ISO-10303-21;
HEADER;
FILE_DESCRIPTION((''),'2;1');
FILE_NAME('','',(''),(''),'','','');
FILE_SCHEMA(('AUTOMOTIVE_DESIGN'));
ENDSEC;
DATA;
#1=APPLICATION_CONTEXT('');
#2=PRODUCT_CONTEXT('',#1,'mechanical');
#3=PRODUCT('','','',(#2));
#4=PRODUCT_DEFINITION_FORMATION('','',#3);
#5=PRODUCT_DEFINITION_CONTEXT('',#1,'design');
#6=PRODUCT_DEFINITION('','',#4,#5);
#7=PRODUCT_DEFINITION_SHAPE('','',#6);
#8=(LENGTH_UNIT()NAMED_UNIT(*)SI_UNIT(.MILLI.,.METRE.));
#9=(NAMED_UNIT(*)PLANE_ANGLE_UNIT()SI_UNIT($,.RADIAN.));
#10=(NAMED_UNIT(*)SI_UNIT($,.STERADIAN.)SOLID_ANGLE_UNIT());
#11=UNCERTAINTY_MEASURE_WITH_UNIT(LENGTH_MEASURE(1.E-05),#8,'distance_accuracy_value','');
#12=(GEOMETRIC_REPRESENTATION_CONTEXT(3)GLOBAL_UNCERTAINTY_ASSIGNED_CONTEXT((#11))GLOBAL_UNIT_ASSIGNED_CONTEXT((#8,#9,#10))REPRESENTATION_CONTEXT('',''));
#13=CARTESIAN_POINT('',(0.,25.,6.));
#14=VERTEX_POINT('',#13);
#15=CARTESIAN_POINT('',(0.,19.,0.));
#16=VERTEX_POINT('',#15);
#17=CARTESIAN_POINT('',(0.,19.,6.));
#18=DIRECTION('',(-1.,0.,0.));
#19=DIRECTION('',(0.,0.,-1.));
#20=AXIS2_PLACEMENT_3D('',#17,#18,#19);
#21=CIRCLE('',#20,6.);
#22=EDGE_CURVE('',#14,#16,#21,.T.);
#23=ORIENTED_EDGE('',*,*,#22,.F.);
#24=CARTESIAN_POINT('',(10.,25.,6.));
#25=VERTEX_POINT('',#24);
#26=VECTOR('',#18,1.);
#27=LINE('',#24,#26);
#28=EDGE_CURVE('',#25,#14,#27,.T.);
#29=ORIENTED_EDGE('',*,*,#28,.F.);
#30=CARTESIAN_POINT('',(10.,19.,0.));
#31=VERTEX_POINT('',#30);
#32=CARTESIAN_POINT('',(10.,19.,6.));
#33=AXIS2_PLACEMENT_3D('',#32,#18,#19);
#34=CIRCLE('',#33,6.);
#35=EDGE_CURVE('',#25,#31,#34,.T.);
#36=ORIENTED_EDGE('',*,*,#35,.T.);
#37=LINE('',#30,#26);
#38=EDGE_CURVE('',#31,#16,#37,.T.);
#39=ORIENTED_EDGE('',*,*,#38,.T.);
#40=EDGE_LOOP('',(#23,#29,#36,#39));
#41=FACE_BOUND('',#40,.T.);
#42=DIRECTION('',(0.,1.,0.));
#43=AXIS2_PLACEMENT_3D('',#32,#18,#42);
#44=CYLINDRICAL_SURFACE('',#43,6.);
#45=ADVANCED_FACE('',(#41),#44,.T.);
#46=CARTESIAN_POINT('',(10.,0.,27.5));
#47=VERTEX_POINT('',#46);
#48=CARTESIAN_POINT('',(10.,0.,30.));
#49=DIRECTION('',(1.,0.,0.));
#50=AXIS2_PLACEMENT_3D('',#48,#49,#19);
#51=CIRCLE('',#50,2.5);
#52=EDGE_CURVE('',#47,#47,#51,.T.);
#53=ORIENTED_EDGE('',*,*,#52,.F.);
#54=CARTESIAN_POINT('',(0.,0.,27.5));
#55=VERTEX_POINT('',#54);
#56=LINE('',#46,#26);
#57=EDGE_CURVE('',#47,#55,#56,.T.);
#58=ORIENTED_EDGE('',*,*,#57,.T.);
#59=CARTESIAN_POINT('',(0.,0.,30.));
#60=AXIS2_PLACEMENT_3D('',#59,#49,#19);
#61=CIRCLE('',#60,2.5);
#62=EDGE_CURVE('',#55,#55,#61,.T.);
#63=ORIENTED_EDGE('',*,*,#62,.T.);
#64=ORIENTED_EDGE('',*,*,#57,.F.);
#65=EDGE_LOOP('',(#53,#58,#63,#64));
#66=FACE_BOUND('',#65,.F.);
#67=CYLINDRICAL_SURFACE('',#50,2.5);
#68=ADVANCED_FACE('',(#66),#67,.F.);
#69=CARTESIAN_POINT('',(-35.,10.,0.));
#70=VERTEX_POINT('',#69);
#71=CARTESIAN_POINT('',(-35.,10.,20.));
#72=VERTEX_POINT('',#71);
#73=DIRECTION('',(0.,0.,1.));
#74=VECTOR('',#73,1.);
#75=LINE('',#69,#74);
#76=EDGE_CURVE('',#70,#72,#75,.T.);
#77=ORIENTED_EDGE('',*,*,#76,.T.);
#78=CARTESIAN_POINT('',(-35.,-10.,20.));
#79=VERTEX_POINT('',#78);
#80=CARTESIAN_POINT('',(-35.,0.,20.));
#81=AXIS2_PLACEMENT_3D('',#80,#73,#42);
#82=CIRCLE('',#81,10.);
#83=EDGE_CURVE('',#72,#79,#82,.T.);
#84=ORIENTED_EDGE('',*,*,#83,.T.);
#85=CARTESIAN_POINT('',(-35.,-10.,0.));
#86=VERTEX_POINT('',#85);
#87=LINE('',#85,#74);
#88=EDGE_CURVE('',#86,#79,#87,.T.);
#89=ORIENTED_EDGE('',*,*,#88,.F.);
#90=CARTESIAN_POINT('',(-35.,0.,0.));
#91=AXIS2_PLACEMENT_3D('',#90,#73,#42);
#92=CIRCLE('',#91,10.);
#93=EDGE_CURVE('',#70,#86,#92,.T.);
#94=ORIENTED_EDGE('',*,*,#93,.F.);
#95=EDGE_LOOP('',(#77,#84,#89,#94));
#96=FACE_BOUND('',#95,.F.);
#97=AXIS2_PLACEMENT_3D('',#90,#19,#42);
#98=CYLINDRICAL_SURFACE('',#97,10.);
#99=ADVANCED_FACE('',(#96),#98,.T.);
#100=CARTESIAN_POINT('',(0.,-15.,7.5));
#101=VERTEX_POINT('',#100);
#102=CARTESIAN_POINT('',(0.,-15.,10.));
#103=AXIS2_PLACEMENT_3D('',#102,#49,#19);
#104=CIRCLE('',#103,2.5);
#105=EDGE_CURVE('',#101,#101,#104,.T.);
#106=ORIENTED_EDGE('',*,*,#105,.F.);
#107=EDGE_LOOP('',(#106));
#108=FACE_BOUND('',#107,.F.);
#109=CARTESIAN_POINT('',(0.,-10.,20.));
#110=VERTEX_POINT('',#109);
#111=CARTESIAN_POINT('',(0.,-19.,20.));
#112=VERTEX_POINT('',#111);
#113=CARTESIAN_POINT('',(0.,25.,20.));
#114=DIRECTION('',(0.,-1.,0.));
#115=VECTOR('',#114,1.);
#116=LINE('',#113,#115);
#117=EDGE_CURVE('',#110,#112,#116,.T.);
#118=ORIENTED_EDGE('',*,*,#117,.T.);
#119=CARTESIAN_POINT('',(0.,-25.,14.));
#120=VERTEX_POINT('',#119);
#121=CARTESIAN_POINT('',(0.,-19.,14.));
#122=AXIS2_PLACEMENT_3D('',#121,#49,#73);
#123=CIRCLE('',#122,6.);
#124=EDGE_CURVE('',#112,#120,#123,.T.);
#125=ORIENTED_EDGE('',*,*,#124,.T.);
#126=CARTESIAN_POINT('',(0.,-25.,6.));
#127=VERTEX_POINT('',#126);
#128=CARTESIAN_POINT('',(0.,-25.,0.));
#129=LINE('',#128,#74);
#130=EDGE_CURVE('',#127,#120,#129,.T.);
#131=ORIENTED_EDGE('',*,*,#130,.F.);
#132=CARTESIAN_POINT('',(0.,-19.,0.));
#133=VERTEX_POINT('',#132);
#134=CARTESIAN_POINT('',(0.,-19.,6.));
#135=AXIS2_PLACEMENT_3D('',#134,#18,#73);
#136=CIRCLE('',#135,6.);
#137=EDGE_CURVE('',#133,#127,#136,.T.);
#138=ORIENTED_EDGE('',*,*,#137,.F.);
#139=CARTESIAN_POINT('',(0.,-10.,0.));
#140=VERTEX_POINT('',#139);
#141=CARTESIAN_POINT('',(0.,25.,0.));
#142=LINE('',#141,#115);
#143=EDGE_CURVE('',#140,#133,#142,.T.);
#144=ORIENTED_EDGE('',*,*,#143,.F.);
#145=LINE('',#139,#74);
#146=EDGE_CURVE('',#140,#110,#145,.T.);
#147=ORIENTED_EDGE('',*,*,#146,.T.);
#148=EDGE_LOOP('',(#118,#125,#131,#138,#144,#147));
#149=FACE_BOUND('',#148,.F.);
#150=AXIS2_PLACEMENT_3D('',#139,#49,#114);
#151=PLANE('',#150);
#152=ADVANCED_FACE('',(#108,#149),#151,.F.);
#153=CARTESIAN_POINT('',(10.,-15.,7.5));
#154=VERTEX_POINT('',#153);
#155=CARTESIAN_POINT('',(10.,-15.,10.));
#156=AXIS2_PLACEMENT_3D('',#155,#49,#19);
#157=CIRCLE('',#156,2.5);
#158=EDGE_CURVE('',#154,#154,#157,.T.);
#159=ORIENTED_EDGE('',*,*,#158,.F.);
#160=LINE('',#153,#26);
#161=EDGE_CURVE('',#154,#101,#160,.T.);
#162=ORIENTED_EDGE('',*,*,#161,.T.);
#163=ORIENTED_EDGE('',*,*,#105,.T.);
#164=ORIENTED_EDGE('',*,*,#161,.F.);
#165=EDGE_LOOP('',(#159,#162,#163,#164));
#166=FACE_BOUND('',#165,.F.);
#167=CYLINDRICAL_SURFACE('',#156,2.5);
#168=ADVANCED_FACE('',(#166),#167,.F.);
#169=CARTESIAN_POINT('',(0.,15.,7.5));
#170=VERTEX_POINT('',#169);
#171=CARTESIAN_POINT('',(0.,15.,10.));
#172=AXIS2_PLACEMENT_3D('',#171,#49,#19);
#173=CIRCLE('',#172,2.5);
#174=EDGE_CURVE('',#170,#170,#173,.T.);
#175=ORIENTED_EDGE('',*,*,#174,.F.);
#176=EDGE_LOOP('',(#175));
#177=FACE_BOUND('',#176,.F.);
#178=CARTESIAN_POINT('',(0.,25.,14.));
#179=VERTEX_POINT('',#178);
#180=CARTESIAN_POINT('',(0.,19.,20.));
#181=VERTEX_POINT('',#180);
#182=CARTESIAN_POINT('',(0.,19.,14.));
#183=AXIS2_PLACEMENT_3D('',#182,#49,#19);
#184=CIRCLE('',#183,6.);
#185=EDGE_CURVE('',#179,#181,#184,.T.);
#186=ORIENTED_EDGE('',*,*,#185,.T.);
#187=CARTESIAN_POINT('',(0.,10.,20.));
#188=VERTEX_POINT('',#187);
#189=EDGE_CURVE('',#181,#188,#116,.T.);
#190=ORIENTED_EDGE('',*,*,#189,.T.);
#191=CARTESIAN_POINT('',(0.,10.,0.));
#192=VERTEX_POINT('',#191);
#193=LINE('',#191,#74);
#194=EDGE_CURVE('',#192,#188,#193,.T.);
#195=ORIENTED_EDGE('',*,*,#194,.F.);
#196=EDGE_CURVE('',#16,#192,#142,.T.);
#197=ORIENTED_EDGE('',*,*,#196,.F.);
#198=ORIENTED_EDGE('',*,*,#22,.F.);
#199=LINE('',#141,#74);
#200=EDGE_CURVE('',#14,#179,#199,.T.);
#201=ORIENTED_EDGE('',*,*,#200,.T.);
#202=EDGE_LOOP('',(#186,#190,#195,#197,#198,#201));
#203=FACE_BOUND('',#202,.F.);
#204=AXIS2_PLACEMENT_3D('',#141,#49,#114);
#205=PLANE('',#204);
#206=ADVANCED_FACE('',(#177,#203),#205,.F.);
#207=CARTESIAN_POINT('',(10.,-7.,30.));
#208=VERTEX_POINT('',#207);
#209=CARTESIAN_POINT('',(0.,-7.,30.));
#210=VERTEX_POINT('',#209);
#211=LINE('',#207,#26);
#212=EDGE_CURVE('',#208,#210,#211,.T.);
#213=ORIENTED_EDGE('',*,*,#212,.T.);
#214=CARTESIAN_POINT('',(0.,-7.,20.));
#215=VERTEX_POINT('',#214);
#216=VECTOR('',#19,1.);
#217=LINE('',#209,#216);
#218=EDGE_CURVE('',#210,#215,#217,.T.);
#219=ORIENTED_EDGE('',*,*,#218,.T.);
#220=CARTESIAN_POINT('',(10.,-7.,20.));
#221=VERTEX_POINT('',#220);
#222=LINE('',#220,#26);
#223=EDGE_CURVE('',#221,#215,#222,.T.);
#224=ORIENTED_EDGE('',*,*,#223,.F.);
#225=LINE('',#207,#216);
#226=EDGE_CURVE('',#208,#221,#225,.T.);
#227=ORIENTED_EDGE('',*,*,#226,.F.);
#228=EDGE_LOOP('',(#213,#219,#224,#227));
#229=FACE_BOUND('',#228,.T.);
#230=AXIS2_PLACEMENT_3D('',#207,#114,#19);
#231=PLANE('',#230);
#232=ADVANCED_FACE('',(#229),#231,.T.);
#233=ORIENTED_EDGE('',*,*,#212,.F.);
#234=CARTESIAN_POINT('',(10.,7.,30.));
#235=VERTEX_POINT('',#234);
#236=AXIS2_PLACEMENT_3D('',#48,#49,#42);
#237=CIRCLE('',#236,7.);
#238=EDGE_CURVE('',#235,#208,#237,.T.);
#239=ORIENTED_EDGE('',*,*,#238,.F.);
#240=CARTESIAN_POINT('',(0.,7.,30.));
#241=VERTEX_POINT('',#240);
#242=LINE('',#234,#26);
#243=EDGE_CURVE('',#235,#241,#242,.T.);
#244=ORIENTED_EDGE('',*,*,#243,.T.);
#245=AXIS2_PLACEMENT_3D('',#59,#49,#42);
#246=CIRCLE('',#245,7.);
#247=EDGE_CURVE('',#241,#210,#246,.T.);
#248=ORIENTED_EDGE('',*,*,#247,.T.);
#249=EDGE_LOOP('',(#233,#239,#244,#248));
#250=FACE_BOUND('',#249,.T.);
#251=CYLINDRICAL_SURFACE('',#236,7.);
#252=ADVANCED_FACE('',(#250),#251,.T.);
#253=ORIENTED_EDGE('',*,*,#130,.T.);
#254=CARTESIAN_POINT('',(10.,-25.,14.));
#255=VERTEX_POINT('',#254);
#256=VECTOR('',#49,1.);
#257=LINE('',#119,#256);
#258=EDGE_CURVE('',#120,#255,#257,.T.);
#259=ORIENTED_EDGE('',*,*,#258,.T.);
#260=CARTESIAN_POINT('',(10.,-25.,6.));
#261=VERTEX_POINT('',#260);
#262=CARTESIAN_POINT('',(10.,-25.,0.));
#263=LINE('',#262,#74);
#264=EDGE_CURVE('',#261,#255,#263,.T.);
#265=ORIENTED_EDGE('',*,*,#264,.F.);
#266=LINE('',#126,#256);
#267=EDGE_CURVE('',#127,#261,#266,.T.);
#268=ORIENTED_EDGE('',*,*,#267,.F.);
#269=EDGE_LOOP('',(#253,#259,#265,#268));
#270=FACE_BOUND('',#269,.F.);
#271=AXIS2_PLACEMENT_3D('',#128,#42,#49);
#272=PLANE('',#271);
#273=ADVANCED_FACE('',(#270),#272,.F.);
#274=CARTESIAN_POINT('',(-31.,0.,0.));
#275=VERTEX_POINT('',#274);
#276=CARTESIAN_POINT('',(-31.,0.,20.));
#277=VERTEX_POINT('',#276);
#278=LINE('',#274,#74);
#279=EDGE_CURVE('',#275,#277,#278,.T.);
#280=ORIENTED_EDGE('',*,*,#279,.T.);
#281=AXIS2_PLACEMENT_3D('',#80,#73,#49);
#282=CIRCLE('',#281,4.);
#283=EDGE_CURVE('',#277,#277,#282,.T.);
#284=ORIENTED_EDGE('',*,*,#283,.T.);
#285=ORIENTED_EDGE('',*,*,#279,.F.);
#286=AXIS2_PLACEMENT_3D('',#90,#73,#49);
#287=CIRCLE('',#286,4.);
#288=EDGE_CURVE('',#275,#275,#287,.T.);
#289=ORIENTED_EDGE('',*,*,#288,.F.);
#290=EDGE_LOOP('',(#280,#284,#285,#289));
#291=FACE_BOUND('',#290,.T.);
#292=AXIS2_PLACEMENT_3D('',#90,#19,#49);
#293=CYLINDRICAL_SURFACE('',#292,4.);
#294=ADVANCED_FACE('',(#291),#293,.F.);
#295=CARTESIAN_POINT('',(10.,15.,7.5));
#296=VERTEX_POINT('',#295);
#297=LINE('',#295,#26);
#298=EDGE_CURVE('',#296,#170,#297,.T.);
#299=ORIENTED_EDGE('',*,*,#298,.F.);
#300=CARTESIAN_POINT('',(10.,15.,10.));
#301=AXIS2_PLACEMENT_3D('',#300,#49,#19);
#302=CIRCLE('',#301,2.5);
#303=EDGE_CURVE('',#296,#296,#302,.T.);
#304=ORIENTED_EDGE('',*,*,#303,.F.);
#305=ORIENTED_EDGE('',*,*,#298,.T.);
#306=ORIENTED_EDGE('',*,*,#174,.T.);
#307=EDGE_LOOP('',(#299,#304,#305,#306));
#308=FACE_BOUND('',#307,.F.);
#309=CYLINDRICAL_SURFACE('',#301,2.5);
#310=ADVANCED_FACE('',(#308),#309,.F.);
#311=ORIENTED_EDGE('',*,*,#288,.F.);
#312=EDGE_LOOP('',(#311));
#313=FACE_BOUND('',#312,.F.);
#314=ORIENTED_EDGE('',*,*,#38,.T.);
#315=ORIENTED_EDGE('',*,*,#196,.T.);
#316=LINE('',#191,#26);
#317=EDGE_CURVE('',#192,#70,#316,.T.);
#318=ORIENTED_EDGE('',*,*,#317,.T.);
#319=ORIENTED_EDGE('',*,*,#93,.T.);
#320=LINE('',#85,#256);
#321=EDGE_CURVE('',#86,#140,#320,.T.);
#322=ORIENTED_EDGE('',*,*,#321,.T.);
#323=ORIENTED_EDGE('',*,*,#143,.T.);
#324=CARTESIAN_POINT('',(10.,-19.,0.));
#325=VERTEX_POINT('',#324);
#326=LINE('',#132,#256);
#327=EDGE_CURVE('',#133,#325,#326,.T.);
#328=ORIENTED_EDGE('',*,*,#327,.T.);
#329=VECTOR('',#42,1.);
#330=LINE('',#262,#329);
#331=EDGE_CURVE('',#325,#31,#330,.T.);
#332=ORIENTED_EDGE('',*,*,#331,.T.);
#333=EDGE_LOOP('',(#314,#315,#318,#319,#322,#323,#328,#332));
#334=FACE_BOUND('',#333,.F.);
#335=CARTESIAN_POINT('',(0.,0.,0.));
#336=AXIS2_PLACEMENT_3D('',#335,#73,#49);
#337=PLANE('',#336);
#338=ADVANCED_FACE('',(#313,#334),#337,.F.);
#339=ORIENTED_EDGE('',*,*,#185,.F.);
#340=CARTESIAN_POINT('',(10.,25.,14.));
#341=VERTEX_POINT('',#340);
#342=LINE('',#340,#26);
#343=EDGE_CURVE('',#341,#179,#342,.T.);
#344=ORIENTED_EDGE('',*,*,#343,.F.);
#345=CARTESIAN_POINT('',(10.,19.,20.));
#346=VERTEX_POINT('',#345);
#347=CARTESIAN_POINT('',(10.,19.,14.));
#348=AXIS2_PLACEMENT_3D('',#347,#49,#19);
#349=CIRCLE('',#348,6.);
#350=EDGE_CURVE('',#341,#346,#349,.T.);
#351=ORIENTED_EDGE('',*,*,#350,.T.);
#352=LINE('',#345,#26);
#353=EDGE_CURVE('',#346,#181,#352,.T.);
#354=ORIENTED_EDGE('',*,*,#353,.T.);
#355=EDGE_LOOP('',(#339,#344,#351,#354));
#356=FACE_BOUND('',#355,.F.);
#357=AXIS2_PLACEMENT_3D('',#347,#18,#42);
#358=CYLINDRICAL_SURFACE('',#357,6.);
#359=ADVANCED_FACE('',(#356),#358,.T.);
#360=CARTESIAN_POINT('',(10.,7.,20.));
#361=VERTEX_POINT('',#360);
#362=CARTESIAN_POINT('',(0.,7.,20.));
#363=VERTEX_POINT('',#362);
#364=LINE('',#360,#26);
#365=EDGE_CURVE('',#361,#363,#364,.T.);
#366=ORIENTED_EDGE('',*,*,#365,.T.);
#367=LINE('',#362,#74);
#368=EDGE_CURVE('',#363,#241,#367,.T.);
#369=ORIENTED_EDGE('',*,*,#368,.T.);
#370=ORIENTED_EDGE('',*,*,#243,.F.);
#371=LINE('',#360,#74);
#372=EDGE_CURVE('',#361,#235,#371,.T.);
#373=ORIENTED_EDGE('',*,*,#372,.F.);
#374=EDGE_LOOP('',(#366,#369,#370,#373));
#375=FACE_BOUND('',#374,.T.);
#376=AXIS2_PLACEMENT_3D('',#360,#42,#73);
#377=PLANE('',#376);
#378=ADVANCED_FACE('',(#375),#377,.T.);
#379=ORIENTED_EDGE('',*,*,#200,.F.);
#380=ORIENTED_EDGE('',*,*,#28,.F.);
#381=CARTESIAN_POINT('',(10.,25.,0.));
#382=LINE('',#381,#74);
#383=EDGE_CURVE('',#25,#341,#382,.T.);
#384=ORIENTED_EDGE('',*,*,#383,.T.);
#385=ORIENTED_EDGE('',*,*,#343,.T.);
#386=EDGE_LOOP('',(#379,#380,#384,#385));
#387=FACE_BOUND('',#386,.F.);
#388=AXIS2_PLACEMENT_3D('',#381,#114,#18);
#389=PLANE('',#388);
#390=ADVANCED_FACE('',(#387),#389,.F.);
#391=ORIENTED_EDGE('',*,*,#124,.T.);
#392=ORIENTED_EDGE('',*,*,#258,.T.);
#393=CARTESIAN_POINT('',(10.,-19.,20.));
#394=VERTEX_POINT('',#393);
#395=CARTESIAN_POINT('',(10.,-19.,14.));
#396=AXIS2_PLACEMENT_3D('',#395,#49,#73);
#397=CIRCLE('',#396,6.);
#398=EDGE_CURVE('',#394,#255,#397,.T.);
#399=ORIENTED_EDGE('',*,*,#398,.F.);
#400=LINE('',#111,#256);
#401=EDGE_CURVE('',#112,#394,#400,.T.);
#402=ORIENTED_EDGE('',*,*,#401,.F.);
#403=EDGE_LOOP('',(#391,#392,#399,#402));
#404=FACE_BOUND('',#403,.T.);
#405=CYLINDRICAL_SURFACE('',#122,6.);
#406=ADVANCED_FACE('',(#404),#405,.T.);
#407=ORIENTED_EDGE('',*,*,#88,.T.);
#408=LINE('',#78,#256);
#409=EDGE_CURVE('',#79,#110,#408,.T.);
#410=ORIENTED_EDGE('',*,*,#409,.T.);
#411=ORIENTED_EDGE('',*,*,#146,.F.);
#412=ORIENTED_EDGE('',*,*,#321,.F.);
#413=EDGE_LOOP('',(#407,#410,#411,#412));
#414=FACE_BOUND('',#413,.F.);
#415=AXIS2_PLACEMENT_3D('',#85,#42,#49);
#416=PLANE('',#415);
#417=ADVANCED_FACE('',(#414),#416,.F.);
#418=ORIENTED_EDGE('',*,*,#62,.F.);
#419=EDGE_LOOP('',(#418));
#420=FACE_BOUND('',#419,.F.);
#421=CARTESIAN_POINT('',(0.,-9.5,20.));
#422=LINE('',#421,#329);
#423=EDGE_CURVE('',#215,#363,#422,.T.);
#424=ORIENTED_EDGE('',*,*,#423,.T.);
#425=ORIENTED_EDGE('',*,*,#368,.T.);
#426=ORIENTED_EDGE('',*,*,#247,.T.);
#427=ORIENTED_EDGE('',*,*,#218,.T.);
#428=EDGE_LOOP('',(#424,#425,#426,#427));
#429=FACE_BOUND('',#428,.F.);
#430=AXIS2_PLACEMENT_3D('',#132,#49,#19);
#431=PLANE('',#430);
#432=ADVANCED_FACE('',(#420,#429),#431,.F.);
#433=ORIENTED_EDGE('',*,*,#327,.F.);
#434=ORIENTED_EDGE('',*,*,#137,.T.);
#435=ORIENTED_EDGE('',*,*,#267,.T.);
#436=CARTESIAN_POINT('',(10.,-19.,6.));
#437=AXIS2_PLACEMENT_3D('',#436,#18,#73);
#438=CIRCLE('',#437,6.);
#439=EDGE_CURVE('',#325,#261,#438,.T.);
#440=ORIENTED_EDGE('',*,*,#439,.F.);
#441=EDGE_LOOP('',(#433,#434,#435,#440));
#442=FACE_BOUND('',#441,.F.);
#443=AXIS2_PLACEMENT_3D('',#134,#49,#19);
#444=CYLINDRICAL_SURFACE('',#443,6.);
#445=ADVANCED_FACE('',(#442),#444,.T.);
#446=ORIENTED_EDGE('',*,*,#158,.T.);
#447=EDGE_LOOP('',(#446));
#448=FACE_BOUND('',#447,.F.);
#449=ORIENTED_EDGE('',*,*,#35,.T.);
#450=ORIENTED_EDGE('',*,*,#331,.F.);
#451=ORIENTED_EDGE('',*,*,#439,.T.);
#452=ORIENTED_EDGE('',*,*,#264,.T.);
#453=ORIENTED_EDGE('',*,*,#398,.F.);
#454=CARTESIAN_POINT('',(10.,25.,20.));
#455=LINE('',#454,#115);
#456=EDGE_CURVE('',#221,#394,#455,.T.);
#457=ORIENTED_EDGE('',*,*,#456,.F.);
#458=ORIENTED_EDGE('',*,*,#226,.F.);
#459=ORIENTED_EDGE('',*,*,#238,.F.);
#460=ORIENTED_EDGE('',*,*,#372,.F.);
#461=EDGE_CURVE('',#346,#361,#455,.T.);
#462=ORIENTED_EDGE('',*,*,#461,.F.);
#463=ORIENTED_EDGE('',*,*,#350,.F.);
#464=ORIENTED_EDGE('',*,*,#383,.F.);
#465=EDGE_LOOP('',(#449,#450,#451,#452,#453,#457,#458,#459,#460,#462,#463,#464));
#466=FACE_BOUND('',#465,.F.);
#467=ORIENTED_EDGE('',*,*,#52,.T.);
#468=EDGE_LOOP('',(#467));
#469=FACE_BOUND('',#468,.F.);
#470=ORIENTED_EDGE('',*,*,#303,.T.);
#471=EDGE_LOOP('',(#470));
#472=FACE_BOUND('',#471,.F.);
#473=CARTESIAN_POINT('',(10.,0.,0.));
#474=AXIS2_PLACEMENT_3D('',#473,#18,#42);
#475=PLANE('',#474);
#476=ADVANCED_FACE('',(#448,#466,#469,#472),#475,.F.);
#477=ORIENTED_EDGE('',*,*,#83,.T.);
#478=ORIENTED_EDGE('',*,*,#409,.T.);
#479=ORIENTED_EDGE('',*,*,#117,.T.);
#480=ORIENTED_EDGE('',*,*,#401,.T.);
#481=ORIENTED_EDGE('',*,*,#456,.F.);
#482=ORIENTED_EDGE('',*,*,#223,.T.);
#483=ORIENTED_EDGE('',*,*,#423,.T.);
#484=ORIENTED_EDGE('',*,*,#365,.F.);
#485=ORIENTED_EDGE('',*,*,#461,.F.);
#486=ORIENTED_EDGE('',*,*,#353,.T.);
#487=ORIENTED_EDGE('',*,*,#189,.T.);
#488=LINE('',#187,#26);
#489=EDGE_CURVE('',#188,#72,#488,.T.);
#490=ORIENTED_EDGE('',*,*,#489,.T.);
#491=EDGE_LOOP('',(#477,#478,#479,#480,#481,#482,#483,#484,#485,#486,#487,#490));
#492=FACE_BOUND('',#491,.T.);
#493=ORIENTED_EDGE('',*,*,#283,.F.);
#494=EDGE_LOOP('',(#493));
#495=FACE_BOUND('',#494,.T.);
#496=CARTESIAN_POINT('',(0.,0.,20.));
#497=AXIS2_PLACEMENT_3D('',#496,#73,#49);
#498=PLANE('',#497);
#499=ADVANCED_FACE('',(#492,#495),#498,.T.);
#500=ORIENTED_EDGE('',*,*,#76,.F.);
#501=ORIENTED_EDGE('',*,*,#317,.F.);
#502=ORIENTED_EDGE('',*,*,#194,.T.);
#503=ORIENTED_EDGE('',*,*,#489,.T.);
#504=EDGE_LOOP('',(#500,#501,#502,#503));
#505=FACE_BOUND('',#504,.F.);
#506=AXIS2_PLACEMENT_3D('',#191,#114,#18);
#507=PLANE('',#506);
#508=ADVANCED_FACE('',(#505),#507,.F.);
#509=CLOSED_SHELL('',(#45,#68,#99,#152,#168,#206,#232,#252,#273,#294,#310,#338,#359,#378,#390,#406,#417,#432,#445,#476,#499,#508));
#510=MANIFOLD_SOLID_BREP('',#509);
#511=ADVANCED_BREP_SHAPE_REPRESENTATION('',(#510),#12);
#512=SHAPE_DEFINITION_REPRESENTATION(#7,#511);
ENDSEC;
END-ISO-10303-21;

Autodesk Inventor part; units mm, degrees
ref_plane "YZ Plane" through (0, 0, 0) normal (1, 0, 0) x (0, 1, 0)
ref_plane "XZ Plane" through (0, 0, 0) normal (0, 1, 0) x (-1, 0, 0)
ref_plane "XY Plane" through (0, 0, 0) normal (0, 0, 1) x (1, 0, 0)
sketch "Sketch1" plane through (0, 0, 0) normal (0, 0, 1) x (1, 0, 0)
  line L0 (0, 0) -> (-35, 0) construction
  circle A0 centre (-35, 0) radius 4
  line L1 (10, 25) -> (0, 25)
  line L2 (0, 25) -> (0, -25)
  line L3 (0, -25) -> (10, -25)
  line L4 (10, -25) -> (10, 25)
  line L5 (0, 0) -> (-35, 0) construction
  line L6 (0, 10) -> (-35, 10)
  line L7 (-35, -10) -> (0, -10)
  arc A1 (0, -10) -> (0, 10) centre (0, 0) ccw
  arc A2 (-35, 10) -> (-35, -10) centre (-35, 0) ccw
  point P0 (-17.5, 0)
  dimension "d0" = 8
  dimension "d1" = 35
  dimension "d2" = 50
  dimension "d3" = 10
  dimension "d4" = 10
extrude "Extrusion1" add sketch "Sketch1" along normal blind 20
sketch "Sketch2" plane through (10, -25, 0) normal (1, 0, 0) x (0, 0, -1)
  line L0 (0, 50) -> (-20, 50) construction
  line L1 (-10, 50) -> (-10, 40) construction
  line L2 (0, 0) -> (-20, 0) construction
  line L3 (-10, 0) -> (-10, 10) construction
  circle A0 centre (-10, 40) radius 2.5
  circle A1 centre (-10, 10) radius 2.5
  point P0 (0, 25)
  dimension "d7" = 5
  dimension "d8" = 10
extrude "Extrusion2" cut sketch "Sketch2" against normal through all
fillet "Fillet1" radius 6 4 edges at (5, 25, 20) (5, 25, 0) (5, -25, 20) (5, -25, 0)
sketch "Sketch3" plane through (10, -19, 0) normal (1, 0, 0) x (0, 0, -1)
  line L0 (-20, 15) -> (-20, 23) projected
  line L1 (-20, 19) -> (-30, 19) construction
  line L2 (-20, 26) -> (-30, 26)
  line L3 (-30, 12) -> (-20, 12)
  arc A0 (-20, 12) -> (-20, 26) centre (-20, 19) ccw
  arc A1 (-30, 26) -> (-30, 12) centre (-30, 19) ccw
  circle A2 centre (-30, 19) radius 2.5
  point P0 (0, 19)
  point P1 (-25, 19)
  dimension "d12" = 5
  dimension "d13" = 7
  dimension "d14" = 10
extrude "Extrusion3" add sketch "Sketch3" against normal blind 10
properties part number "frame mount 2"
